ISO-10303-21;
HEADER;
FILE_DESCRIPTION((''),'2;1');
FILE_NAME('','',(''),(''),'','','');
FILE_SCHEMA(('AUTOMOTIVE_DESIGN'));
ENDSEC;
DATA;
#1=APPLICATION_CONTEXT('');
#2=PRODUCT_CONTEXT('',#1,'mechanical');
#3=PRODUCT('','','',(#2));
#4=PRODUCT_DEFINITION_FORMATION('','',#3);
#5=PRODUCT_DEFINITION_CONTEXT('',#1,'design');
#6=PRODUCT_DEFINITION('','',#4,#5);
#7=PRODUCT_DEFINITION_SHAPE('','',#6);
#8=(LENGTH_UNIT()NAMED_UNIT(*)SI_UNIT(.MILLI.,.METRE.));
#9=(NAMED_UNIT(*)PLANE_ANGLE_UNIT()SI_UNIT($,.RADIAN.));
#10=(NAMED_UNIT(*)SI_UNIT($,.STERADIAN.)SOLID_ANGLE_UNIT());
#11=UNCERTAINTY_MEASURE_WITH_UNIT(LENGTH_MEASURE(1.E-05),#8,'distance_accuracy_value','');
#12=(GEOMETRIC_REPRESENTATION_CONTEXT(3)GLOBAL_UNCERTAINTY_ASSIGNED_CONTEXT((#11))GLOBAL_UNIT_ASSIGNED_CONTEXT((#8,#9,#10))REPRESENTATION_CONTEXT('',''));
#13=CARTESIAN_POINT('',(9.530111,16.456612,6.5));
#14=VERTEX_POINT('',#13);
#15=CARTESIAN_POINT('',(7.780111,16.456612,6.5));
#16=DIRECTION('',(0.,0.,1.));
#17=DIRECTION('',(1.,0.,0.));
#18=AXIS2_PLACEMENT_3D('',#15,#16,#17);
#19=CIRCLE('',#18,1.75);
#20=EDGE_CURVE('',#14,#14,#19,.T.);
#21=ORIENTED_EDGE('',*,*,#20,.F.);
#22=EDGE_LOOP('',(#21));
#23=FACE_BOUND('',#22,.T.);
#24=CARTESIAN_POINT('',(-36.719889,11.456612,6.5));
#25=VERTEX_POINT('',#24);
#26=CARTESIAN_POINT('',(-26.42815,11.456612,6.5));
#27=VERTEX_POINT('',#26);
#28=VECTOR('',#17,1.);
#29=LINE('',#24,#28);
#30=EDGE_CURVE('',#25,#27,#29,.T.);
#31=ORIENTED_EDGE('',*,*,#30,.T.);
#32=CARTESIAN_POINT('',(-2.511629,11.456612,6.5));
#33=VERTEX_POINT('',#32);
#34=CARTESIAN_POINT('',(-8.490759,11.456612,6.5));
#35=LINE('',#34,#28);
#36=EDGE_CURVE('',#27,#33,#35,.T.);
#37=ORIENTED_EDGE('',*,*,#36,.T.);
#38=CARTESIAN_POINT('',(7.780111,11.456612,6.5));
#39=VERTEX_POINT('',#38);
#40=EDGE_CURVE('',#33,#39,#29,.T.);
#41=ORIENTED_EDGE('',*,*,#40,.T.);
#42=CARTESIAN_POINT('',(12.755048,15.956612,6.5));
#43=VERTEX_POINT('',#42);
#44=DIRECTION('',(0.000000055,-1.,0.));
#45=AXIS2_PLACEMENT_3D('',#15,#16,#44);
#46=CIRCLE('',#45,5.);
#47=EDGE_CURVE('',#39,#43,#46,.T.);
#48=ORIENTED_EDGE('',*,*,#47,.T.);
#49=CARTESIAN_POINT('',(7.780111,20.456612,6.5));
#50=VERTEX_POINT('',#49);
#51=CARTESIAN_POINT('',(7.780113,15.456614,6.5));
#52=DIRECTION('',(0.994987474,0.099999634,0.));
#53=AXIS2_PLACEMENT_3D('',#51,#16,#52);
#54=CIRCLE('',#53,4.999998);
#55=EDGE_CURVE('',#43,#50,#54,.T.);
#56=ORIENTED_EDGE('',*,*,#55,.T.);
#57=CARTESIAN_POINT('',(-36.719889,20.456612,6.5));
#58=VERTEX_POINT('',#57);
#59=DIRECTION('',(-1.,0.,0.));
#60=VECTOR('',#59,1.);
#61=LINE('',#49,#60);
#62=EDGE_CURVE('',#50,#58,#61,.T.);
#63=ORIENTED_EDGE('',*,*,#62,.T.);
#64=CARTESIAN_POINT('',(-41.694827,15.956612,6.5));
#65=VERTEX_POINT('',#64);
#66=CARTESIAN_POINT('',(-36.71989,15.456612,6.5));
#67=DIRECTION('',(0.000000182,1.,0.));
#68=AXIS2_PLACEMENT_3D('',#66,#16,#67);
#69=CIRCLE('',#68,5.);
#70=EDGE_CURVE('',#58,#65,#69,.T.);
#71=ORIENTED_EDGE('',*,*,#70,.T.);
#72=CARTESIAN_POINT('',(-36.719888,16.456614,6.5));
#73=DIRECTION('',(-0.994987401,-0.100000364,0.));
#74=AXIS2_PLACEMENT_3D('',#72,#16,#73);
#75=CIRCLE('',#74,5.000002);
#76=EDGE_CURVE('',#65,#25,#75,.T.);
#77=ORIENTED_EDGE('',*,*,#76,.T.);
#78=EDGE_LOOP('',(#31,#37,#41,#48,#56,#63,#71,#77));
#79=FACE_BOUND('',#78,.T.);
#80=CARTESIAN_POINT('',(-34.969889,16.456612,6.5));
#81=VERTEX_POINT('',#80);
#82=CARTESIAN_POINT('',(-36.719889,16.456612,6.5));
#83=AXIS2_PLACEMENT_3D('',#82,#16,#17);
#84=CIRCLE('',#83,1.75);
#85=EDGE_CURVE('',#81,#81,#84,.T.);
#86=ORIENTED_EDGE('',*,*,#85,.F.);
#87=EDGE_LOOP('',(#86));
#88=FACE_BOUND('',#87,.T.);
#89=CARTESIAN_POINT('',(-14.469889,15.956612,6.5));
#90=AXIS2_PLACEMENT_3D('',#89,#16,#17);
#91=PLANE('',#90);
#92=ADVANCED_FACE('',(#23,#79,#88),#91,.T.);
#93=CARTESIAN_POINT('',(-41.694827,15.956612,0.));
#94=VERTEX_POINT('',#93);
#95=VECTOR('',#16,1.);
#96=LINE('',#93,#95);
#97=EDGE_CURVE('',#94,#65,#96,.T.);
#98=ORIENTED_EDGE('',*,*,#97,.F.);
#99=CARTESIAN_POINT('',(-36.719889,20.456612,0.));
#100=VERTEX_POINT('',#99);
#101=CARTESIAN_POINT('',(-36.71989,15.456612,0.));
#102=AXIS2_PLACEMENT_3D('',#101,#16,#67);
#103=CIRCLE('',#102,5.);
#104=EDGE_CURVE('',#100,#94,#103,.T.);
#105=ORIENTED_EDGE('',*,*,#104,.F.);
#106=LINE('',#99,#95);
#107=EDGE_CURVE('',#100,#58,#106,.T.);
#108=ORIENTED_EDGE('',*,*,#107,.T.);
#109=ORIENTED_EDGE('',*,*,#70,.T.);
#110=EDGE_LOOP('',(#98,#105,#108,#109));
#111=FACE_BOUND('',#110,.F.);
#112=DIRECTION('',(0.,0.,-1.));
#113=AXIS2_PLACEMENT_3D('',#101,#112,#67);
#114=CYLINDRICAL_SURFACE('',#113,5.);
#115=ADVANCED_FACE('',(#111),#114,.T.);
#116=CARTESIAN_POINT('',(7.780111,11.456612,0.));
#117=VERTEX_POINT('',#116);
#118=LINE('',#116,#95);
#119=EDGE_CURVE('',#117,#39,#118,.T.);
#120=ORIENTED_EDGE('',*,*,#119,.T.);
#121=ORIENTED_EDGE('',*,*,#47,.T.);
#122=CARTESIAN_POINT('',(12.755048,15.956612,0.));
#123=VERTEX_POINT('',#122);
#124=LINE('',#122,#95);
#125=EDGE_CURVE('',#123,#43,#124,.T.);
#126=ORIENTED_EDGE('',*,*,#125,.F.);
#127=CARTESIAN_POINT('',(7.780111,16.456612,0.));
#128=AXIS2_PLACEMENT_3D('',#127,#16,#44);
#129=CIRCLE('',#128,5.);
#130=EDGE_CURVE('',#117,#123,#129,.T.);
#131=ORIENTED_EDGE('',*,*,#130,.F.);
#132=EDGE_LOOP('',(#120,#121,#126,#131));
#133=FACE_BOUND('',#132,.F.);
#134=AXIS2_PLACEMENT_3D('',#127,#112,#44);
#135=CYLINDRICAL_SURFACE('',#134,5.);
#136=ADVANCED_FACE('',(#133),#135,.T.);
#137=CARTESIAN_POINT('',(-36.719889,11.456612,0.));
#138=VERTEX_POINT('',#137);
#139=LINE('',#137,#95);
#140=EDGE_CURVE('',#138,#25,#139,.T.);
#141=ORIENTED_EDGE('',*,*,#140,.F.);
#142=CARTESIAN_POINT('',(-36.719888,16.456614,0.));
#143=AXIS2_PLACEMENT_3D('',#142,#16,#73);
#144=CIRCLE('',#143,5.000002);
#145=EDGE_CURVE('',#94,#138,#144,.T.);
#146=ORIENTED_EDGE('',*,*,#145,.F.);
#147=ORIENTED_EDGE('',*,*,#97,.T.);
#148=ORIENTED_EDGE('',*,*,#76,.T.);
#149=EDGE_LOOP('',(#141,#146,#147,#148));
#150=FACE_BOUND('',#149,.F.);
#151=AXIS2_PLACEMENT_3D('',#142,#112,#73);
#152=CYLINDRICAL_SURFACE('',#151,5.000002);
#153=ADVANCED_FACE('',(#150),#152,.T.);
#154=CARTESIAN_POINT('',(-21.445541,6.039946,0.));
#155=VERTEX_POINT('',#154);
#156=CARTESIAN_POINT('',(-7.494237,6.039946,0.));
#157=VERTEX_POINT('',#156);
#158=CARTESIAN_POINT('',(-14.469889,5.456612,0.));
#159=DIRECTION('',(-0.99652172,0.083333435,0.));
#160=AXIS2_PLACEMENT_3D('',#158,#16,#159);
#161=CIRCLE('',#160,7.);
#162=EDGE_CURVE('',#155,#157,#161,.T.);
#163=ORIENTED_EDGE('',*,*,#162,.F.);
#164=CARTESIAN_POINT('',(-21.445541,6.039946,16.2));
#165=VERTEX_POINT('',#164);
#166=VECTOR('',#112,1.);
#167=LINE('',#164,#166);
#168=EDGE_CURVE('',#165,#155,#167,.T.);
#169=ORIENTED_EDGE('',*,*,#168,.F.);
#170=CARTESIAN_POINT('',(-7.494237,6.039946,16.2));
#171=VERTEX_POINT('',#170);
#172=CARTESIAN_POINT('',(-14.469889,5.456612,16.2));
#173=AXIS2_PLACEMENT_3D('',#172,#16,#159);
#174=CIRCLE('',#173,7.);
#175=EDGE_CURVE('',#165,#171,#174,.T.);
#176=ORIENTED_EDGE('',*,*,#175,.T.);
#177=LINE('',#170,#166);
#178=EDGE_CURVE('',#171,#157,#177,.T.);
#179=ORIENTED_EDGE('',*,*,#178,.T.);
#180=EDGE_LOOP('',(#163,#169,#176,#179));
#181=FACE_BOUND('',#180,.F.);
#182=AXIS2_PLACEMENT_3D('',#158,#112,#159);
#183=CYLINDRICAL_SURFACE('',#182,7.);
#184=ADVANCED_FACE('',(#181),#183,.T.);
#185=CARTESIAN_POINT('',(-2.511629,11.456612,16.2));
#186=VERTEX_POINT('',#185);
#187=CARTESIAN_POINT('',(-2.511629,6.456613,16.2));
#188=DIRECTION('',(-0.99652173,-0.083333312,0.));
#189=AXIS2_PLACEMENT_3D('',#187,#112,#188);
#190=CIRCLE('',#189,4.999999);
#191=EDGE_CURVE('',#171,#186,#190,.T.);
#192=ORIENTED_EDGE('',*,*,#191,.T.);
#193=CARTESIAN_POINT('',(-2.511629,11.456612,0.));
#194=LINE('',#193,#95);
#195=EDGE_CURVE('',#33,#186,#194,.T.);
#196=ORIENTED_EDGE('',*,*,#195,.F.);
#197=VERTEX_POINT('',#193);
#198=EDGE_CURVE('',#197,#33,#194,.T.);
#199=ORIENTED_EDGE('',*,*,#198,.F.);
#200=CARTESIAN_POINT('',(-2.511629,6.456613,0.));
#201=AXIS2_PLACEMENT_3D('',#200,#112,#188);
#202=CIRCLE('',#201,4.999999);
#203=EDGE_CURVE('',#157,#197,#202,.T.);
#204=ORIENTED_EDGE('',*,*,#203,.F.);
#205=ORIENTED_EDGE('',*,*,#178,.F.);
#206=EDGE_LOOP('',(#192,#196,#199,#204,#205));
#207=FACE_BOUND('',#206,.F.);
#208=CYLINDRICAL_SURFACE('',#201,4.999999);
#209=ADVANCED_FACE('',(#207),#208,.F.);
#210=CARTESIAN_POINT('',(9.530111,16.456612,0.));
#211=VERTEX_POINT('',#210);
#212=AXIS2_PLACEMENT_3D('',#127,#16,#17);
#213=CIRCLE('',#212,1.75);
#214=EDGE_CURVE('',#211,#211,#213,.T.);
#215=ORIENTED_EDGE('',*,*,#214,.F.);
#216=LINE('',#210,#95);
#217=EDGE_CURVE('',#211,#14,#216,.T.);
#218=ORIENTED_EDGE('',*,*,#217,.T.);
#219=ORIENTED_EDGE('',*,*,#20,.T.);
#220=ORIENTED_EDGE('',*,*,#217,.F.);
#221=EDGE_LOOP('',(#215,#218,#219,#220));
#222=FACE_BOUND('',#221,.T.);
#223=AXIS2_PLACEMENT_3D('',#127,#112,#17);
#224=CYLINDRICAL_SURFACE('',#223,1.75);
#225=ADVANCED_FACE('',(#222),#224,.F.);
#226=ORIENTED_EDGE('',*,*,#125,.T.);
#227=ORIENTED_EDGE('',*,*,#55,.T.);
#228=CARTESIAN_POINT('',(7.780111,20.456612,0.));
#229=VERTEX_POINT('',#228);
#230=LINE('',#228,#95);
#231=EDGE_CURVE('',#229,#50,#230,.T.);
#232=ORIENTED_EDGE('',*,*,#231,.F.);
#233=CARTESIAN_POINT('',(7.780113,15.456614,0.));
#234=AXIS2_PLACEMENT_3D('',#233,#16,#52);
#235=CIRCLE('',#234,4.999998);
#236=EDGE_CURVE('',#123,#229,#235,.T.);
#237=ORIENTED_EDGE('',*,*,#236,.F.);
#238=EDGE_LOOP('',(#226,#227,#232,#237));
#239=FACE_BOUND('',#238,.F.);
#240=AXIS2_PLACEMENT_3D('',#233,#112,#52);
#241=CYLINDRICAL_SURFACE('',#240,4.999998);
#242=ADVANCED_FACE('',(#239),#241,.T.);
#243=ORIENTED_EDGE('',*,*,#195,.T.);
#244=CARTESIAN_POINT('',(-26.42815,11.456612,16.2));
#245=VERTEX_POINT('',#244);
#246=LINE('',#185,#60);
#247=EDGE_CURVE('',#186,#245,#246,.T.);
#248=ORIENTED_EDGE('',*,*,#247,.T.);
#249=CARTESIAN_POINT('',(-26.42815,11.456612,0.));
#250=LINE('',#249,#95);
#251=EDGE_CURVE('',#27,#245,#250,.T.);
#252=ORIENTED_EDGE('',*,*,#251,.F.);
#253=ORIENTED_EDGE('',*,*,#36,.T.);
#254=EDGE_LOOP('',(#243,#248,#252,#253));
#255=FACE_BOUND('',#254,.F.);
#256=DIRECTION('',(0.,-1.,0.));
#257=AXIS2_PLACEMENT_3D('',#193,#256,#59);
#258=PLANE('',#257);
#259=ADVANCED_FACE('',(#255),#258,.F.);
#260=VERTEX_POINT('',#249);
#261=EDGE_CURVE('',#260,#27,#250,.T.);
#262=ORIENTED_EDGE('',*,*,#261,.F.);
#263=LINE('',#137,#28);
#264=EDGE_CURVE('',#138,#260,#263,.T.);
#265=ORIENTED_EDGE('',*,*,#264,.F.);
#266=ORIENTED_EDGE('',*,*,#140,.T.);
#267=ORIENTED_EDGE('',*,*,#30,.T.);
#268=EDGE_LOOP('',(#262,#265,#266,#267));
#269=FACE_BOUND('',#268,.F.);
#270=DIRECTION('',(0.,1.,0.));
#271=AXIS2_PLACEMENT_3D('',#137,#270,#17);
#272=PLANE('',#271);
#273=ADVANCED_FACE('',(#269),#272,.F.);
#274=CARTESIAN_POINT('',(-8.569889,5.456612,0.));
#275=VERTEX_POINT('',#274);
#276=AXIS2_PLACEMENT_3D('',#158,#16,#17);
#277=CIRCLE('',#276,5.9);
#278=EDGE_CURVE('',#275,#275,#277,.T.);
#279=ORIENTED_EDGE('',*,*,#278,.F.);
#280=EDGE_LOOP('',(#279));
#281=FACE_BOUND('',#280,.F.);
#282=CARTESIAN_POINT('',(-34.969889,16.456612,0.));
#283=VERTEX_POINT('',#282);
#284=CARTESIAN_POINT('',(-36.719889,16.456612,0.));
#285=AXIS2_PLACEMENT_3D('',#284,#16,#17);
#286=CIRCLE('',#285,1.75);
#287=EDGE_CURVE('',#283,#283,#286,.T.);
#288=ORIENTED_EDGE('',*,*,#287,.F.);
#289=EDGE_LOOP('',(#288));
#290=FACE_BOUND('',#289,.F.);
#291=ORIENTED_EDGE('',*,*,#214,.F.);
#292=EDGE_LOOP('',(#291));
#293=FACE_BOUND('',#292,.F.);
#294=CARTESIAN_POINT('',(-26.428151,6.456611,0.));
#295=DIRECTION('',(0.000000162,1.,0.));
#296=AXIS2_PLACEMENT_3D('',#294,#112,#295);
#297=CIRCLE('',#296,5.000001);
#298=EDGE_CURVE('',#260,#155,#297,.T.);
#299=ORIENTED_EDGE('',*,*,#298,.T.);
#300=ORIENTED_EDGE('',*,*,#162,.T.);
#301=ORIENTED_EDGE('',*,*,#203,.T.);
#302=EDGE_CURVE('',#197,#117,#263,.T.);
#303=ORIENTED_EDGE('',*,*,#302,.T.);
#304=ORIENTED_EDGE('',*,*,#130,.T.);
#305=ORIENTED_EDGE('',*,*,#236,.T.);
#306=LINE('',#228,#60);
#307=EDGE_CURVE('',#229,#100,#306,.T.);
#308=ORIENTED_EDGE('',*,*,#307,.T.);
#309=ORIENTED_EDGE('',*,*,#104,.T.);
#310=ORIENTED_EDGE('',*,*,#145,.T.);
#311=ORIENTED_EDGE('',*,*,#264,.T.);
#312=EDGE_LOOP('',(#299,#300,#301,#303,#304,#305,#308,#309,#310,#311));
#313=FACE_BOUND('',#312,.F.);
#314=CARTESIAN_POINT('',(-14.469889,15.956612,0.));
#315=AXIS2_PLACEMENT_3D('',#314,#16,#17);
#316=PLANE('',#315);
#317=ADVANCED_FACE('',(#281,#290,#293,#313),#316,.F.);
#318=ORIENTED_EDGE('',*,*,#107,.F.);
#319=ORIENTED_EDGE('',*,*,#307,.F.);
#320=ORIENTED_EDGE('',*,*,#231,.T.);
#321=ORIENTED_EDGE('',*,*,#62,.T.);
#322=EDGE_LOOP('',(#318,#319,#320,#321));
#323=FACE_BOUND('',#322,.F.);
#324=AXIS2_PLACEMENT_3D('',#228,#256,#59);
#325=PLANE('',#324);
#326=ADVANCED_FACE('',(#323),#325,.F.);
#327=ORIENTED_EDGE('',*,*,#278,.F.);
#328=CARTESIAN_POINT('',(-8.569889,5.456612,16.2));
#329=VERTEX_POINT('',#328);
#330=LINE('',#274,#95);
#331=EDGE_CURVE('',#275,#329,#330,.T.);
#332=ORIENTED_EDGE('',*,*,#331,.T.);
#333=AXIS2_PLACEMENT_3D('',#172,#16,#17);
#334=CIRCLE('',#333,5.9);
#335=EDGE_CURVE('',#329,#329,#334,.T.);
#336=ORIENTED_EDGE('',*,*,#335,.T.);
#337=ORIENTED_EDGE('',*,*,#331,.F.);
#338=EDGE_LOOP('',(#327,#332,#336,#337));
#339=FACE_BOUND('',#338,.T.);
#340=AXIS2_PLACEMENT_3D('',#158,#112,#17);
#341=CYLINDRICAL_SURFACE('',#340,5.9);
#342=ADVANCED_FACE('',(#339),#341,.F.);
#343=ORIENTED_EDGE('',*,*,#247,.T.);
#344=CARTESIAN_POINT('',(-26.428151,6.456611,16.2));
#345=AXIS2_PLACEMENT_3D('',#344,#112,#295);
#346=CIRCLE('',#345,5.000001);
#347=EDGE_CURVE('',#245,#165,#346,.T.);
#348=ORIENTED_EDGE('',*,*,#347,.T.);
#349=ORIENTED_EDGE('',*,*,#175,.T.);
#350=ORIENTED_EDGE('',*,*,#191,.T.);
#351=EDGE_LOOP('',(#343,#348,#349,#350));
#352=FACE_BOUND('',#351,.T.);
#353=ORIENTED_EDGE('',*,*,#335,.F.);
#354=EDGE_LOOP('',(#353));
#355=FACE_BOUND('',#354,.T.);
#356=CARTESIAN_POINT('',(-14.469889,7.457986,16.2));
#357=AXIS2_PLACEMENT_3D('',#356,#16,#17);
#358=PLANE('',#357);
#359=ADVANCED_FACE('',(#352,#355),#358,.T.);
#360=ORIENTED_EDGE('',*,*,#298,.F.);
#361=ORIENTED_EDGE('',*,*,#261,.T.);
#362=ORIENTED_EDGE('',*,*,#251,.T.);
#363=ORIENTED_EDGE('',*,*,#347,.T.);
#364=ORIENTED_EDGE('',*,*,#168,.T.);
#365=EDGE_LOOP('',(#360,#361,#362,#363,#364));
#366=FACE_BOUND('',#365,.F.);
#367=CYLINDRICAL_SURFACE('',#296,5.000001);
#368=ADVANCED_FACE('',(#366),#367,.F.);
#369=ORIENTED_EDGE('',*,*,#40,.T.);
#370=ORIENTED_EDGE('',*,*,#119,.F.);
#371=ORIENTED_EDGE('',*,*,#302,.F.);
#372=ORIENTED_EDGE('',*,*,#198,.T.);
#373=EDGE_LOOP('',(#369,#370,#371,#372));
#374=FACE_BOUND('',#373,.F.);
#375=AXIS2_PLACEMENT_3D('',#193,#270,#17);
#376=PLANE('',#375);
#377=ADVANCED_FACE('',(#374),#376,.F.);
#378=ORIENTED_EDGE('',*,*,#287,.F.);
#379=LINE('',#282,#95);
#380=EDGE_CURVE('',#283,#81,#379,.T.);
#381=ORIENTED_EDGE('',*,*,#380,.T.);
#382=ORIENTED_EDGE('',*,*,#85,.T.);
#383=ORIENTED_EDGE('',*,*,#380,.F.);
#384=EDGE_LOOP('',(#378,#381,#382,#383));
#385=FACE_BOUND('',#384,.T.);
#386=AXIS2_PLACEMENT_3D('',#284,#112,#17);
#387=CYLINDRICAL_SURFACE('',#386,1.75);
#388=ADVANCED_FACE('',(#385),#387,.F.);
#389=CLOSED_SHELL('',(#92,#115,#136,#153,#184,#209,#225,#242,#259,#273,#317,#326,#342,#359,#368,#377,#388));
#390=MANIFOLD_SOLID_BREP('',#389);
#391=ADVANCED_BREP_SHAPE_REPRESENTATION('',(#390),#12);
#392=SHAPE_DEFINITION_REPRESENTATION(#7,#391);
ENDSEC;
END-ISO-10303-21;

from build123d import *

# Parameters (mm, degrees)
F0_R     = 1.75
F0_R_2   = 5.9
F1_DEPTH = 6.5
F2_DEPTH = 16.2


with BuildPart() as f1:
    # F0 (on Top) → F1 (new body)
    with BuildSketch(Plane.XY):
        with BuildLine():
            Line((7.780111, 20.456612), (-36.719889, 20.456612))
            ThreePointArc((-36.719889, 20.456612), (-40.073991, 19.164712), (-41.694827, 15.956612))
            ThreePointArc((-41.694827, 15.956612), (-40.073991, 12.748513), (-36.719889, 11.456612))
            Line((-36.719889, 11.456612), (-26.42815, 11.456612))
            Line((-26.42815, 11.456612), (-2.511629, 11.456612))
            Line((-2.511629, 11.456612), (7.780111, 11.456612))
            ThreePointArc((7.780111, 11.456612), (11.134213, 12.748513), (12.755048, 15.956612))
            ThreePointArc((12.755048, 15.956612), (11.134213, 19.164712), (7.780111, 20.456612))
        make_face()
        with Locations((-36.719889, 16.456612)):
            Circle(F0_R, mode=Mode.SUBTRACT)
        with Locations((7.780111, 16.456612)):
            Circle(F0_R, mode=Mode.SUBTRACT)
        with BuildLine():
            Line((-2.511629, 11.456612), (-26.42815, 11.456612))
            ThreePointArc((-26.42815, 11.456612), (-22.74825, 9.841628), (-21.445541, 6.039946))
            ThreePointArc((-21.445541, 6.039946), (-14.469889, -1.543388), (-7.494237, 6.039946))
            ThreePointArc((-7.494237, 6.039946), (-6.191529, 9.841628), (-2.511629, 11.456612))
        make_face()
        with Locations((-14.469889, 5.456612)):
            Circle(F0_R_2, mode=Mode.SUBTRACT)
    extrude(amount=F1_DEPTH)

    # F0 (on Top) → F2 (join)
    with BuildSketch(Plane.XY):
        with BuildLine():
            Line((-2.511629, 11.456612), (-26.42815, 11.456612))
            ThreePointArc((-26.42815, 11.456612), (-22.74825, 9.841628), (-21.445541, 6.039946))
            ThreePointArc((-21.445541, 6.039946), (-14.469889, -1.543388), (-7.494237, 6.039946))
            ThreePointArc((-7.494237, 6.039946), (-6.191529, 9.841628), (-2.511629, 11.456612))
        make_face()
        with Locations((-14.469889, 5.456612)):
            Circle(F0_R_2, mode=Mode.SUBTRACT)
    extrude(amount=F2_DEPTH)


solid = f1.part
